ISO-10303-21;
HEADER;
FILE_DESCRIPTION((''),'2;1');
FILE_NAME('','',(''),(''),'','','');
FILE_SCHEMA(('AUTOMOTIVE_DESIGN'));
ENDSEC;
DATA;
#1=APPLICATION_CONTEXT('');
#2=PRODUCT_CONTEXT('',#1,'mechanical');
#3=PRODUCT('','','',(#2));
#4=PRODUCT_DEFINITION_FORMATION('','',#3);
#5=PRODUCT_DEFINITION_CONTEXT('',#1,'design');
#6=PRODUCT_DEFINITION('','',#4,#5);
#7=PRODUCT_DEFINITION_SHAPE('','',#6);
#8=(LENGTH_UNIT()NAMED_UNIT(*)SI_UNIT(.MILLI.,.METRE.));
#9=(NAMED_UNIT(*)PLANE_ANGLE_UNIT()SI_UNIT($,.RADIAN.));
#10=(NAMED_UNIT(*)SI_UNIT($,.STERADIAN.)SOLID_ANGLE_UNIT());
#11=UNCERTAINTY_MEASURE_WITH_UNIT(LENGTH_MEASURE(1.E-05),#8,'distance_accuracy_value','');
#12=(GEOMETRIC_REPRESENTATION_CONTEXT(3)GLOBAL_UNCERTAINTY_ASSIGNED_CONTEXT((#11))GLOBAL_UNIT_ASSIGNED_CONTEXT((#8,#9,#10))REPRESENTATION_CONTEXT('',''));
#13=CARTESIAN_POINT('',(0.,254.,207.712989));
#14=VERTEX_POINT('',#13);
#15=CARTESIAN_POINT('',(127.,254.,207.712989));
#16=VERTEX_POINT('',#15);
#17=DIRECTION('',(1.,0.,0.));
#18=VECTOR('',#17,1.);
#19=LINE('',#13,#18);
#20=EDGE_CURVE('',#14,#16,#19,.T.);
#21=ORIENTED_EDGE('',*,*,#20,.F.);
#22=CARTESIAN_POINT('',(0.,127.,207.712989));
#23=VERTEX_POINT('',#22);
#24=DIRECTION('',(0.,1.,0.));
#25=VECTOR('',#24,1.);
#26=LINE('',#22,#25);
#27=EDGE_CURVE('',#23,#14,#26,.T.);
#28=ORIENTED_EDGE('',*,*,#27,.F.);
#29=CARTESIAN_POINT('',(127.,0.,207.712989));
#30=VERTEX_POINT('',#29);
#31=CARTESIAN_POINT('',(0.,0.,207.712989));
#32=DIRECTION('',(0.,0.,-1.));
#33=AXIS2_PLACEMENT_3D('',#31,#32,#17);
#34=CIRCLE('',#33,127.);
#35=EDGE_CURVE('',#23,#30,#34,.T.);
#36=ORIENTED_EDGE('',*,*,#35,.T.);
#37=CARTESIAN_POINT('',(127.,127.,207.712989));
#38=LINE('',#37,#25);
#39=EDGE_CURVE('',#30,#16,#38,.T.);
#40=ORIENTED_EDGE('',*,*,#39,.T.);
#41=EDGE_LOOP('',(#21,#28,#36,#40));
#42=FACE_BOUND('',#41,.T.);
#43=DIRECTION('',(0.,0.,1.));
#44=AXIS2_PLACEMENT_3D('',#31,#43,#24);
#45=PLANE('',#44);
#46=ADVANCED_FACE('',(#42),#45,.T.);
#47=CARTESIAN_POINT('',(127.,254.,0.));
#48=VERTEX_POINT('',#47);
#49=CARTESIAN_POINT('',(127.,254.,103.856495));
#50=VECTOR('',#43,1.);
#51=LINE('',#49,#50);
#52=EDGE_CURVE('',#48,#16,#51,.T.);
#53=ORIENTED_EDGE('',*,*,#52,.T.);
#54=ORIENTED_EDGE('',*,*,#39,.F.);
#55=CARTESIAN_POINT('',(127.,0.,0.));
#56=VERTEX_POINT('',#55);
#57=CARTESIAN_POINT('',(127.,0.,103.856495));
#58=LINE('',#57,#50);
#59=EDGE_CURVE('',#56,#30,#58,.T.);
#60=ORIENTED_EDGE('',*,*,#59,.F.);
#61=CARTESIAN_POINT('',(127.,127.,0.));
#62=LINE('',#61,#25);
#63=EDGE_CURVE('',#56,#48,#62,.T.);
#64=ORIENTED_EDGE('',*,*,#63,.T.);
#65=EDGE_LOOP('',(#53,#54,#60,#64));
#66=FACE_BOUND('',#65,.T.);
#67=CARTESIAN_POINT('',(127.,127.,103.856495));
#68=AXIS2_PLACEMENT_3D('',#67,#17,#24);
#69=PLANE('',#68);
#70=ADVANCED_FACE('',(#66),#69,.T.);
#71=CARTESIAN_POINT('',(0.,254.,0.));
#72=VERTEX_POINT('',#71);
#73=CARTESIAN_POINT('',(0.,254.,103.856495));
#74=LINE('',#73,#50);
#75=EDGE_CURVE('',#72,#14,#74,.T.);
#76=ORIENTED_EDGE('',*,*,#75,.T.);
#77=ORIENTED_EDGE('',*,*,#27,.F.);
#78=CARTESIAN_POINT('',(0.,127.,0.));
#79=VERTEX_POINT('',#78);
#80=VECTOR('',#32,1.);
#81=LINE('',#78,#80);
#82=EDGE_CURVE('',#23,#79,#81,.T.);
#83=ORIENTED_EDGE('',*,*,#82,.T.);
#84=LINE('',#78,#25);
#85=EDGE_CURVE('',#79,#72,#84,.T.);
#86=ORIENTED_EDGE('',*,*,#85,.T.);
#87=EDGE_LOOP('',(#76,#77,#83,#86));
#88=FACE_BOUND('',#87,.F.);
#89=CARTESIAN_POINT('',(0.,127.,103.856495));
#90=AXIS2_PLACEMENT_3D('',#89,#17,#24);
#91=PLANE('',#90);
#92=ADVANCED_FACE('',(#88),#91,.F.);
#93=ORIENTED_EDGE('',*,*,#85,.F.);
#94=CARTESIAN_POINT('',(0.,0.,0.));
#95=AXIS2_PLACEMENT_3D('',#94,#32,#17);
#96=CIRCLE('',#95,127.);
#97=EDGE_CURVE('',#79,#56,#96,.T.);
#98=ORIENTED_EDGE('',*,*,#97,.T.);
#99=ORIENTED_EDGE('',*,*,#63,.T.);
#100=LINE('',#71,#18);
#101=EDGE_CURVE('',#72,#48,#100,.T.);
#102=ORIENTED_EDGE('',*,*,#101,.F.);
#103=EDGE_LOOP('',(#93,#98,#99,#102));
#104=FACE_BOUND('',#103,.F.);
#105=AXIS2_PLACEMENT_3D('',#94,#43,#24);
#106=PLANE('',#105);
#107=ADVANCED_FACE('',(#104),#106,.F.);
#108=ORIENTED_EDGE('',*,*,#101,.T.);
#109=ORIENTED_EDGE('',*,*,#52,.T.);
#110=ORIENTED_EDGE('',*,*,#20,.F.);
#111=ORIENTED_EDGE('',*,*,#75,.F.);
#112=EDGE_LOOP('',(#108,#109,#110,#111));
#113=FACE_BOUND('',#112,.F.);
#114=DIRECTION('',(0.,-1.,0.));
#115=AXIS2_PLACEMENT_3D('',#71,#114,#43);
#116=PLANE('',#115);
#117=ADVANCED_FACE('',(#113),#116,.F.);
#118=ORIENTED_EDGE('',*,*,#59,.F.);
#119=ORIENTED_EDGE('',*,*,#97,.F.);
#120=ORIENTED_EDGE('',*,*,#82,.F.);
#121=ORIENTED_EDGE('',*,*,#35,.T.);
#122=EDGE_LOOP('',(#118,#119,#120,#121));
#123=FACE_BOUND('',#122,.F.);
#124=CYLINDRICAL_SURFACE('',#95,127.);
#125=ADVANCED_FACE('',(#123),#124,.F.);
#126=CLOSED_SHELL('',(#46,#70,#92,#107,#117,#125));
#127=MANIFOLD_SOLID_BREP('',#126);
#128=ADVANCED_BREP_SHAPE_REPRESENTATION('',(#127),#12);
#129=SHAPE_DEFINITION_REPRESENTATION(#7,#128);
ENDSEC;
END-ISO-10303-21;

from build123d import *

# Parameters (mm, degrees)
F0_W     = 254
F0_H     = 207.7129894555
F1_DEPTH = 127
F2_R     = 127
F3_DEPTH = 207.7139894555


with BuildPart() as f1:
    # F0 (on Right) → F1 (new body)
    with BuildSketch(Plane.YZ):
        with Locations((127, 103.8564947277)):
            Rectangle(F0_W, F0_H)
    extrude(amount=F1_DEPTH)

    # F2 (on face) → F3 (cut, through all)
    with BuildSketch(Plane(origin=(0, 0, 0), x_dir=(1, 0, 0), z_dir=(0, 0, -1))):
        Circle(F2_R)
    extrude(amount=-F3_DEPTH, mode=Mode.SUBTRACT)


solid = f1.part
